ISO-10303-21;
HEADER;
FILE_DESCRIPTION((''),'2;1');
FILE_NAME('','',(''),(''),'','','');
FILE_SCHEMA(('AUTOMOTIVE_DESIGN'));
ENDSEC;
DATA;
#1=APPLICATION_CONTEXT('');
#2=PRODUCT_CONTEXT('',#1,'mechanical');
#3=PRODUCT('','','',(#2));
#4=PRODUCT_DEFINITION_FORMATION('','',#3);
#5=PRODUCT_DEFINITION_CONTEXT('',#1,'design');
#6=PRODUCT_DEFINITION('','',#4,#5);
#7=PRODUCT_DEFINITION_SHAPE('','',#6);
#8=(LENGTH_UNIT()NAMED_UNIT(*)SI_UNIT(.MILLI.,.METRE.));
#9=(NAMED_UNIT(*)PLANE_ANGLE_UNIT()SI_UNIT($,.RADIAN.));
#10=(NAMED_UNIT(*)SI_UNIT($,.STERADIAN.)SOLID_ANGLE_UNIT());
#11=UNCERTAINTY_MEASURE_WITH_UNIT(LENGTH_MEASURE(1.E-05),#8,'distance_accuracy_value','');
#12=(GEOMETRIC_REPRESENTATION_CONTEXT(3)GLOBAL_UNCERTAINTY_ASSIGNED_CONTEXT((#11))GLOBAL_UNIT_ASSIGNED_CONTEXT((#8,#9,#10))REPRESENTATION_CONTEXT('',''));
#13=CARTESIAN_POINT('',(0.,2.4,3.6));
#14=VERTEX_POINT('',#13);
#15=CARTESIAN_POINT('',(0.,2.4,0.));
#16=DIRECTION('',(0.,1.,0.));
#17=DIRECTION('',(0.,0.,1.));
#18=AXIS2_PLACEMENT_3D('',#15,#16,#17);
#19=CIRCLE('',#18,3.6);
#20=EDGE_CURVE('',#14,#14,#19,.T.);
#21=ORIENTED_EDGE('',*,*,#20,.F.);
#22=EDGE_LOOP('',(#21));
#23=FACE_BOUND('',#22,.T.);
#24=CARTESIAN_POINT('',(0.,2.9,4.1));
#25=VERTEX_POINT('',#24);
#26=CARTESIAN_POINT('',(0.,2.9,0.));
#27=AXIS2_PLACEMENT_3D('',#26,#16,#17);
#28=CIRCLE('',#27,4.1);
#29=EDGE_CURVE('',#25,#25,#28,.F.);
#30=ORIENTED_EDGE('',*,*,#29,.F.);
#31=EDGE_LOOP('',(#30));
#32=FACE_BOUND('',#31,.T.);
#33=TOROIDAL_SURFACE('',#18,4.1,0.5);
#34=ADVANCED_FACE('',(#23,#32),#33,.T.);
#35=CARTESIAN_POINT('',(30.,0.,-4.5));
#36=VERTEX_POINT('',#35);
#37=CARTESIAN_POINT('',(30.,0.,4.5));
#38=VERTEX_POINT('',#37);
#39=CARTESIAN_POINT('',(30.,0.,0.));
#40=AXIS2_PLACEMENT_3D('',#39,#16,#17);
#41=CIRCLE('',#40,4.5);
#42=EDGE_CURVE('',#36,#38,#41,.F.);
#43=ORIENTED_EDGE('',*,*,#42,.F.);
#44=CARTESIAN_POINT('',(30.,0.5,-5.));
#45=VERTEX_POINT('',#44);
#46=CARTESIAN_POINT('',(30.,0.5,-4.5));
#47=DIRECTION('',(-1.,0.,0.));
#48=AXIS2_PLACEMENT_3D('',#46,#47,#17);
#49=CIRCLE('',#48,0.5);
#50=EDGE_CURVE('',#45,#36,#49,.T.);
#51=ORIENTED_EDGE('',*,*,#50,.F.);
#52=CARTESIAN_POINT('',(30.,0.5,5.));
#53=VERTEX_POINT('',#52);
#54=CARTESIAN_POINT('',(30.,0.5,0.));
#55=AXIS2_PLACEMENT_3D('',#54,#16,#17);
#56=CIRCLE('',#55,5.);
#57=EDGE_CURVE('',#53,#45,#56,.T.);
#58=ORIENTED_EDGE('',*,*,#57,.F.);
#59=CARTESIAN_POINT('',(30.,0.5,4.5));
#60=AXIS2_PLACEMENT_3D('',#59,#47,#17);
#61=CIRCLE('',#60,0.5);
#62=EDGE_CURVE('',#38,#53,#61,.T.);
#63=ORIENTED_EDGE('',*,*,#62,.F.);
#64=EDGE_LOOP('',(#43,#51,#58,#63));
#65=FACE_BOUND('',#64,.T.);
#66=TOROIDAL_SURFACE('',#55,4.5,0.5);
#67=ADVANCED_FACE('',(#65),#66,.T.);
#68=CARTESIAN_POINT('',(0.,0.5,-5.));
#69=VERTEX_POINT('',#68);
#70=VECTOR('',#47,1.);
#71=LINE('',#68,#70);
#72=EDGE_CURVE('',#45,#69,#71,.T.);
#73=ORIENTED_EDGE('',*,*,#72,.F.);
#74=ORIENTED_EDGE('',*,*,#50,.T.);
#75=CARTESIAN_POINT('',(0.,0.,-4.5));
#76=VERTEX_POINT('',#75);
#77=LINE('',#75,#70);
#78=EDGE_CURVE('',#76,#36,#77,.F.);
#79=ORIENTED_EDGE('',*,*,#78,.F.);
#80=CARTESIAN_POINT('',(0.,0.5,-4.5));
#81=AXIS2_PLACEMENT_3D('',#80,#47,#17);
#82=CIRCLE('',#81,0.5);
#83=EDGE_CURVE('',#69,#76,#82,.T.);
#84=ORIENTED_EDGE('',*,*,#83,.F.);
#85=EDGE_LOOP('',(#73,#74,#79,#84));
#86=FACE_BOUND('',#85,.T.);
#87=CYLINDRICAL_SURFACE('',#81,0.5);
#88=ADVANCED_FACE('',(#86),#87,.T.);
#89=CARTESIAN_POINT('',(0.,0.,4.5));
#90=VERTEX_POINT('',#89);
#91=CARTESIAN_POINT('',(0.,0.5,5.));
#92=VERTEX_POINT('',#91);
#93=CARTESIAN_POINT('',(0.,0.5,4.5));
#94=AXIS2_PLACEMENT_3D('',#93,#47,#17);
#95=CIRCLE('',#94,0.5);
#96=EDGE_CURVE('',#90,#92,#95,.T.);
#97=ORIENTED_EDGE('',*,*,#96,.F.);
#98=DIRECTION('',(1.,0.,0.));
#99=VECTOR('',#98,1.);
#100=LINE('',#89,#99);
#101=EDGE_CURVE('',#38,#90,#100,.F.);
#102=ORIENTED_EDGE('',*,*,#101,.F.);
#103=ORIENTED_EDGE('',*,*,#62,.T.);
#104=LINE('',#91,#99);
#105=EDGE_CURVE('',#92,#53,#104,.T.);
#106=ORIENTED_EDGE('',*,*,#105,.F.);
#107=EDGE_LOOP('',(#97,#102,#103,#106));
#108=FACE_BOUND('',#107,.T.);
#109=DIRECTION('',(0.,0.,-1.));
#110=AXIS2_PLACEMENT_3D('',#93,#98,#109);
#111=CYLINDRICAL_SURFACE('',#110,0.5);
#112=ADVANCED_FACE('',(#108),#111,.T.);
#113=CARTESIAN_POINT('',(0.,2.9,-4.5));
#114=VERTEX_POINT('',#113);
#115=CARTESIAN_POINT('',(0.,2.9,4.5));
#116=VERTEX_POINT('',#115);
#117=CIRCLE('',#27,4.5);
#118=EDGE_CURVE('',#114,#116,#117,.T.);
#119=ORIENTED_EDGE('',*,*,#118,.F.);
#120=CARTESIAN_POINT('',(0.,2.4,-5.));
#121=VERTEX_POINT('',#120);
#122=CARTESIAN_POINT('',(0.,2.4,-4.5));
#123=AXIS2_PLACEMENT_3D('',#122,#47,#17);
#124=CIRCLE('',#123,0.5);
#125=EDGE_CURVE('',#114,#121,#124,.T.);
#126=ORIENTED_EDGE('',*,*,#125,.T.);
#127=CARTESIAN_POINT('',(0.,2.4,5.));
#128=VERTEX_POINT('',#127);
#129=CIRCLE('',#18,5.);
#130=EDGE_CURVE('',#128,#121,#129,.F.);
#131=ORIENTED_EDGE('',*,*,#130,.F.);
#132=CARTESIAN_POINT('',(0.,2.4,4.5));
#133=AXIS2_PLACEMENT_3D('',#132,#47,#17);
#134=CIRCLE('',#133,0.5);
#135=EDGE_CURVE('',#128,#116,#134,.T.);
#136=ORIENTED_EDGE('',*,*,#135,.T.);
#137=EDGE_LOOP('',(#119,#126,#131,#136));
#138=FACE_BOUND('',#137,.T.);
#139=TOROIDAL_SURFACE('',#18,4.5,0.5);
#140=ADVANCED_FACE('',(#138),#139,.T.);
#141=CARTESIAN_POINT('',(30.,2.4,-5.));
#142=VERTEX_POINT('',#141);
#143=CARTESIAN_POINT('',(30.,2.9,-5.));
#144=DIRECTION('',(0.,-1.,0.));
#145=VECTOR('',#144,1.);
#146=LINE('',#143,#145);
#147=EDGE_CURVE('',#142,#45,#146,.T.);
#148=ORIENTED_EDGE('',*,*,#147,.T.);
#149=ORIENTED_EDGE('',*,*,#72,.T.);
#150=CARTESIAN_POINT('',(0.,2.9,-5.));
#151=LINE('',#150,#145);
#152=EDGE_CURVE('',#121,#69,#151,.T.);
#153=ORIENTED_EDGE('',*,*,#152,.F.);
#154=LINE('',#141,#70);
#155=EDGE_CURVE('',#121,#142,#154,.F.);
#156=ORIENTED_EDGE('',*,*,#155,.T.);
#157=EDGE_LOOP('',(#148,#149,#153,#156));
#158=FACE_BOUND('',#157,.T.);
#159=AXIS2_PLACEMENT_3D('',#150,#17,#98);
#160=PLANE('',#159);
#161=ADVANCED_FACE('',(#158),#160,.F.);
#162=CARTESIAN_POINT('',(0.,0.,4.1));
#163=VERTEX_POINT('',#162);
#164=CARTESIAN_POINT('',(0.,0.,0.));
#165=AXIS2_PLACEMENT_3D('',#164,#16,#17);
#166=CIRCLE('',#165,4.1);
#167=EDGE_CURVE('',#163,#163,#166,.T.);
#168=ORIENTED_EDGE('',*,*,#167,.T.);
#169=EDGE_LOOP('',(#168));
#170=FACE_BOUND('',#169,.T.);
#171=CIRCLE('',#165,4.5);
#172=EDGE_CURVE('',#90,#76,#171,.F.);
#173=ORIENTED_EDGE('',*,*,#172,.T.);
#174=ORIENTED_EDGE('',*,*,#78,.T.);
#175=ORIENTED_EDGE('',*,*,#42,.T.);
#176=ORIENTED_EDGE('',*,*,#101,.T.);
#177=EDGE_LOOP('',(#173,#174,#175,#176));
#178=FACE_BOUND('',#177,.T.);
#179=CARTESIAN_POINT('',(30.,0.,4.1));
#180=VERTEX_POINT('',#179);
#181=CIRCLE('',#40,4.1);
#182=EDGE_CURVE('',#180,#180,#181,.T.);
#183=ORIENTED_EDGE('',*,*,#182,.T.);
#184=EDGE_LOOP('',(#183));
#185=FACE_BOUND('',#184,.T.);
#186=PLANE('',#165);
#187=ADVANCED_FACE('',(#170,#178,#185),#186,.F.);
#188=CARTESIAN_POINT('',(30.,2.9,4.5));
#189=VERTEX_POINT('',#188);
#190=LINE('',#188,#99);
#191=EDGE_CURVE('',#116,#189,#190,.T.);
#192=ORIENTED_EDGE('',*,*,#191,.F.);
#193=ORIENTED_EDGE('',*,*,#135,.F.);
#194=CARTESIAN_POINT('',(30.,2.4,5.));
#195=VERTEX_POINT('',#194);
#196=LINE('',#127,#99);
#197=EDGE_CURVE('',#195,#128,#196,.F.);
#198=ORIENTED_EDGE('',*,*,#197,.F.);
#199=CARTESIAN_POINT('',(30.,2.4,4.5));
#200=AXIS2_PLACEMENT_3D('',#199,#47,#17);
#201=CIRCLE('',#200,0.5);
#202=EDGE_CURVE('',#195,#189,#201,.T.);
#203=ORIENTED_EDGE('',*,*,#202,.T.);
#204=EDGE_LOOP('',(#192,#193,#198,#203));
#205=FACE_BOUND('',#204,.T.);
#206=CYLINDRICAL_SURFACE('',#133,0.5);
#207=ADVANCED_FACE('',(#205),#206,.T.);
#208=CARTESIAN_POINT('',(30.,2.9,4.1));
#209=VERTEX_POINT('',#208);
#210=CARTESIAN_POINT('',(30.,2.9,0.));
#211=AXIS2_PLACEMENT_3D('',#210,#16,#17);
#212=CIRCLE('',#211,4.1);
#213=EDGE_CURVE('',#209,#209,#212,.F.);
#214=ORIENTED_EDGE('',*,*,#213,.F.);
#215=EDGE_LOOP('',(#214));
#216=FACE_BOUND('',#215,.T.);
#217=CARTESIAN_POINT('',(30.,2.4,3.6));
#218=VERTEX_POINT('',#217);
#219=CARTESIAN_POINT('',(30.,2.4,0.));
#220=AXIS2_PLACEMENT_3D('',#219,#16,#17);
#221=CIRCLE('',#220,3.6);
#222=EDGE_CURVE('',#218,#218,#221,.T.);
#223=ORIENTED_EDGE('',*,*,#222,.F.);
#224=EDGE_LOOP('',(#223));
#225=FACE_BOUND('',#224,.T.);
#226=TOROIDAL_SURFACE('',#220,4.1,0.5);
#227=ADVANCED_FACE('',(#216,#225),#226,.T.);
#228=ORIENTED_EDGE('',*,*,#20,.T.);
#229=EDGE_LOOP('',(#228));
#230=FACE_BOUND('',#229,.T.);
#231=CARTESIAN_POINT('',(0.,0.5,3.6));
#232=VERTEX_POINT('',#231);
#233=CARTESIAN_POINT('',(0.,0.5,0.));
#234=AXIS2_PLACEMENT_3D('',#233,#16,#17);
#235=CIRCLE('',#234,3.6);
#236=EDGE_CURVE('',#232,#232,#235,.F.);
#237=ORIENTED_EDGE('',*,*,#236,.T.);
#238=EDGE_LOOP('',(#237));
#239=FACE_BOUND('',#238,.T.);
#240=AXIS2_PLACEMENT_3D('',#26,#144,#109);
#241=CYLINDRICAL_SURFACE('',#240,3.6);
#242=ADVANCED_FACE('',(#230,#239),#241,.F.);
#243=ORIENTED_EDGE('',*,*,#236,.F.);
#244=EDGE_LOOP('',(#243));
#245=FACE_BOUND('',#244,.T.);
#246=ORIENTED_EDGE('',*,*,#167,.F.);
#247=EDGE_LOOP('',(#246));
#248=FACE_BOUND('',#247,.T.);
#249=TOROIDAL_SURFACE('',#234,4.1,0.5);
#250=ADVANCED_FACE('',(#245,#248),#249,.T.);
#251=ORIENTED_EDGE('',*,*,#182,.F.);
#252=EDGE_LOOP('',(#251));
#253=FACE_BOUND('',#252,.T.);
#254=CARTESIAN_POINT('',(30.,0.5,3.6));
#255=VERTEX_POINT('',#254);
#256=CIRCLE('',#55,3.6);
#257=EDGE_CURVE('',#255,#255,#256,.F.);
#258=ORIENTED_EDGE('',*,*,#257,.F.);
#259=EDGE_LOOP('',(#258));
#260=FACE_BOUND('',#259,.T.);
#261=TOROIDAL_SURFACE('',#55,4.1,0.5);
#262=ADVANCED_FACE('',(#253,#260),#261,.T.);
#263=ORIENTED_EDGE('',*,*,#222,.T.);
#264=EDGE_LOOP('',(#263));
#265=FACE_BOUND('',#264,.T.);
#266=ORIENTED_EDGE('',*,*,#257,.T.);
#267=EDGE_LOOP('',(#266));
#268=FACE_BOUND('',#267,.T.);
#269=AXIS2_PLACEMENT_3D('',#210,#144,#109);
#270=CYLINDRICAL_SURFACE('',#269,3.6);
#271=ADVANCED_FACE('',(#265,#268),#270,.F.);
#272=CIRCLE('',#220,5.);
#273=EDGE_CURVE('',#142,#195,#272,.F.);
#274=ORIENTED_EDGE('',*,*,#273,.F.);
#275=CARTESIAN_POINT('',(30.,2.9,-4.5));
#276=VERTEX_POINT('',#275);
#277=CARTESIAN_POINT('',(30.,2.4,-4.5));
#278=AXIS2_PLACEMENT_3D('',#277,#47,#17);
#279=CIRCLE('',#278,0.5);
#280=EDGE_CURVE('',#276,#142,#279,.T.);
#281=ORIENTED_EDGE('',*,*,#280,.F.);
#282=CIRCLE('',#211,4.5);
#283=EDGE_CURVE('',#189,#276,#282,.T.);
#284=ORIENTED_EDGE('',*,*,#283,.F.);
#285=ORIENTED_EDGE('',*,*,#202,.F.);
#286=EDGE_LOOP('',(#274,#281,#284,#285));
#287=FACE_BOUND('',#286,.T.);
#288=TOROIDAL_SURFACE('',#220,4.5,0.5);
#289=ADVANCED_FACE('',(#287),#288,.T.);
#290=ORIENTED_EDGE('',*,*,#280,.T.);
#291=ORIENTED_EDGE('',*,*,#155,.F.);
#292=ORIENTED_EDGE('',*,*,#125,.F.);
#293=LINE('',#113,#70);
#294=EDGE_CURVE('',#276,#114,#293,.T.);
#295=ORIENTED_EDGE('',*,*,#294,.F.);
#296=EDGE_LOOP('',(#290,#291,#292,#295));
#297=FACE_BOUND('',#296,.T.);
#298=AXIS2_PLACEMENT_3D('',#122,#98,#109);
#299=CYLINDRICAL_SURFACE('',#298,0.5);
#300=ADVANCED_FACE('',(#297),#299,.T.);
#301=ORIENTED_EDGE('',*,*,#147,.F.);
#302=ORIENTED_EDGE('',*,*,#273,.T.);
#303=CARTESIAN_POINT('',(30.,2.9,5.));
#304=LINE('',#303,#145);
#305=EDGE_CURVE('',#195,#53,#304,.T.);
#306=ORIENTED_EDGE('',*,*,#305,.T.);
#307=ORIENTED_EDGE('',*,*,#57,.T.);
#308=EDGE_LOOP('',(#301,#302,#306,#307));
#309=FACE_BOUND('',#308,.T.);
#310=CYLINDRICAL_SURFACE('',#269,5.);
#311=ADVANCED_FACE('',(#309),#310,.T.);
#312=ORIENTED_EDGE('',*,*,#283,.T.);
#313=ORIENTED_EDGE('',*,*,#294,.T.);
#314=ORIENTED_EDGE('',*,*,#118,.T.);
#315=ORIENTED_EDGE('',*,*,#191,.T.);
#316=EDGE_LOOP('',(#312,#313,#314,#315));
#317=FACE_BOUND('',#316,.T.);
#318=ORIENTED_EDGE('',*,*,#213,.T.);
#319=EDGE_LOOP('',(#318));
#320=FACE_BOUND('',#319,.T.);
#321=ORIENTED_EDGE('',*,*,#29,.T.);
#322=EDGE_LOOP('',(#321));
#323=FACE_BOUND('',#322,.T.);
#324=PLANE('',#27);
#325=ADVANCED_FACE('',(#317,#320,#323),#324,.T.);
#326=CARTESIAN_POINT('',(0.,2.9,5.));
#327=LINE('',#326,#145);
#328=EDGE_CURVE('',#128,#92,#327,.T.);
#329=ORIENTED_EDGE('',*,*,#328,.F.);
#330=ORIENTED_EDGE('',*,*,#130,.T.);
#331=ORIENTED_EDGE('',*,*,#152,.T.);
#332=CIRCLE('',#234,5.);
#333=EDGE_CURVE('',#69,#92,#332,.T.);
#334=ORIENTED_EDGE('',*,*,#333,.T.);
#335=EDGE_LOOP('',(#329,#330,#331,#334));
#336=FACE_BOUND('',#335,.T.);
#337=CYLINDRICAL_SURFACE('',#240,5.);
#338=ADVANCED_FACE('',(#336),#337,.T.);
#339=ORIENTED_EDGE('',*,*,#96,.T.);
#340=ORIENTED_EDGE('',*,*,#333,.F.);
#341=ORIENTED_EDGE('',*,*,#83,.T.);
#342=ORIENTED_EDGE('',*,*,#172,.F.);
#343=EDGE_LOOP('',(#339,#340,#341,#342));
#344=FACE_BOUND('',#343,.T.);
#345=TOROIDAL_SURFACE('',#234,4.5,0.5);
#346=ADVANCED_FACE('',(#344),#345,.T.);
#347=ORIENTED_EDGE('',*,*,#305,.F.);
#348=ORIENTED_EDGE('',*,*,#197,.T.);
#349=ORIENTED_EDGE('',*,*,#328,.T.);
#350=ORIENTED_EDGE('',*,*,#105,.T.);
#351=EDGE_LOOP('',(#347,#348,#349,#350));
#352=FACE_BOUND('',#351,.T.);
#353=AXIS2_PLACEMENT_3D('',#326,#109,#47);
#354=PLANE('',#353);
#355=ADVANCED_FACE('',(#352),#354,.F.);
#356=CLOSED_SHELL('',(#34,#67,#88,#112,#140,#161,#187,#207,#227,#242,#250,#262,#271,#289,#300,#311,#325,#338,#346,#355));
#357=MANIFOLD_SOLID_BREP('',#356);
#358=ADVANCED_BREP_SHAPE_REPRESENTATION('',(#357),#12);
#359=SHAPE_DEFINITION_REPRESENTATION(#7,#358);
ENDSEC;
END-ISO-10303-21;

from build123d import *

# Parameters (mm, degrees)
SKETCH1_R           = 3.6
BOSS_EXTRUDE1_DEPTH = 2.9
FILLET1_R           = 0.5


with BuildPart() as part:
    # Sketch1 → Boss-Extrude1 (new body)
    with BuildSketch(Plane(origin=(0, 0, 0), x_dir=(1, 0, 0), z_dir=(0, 1, 0))):
        with BuildLine():
            Line((0, 5), (30, 5))
            ThreePointArc((30, 5), (35, 0), (30, -5))
            Line((30, -5), (0, -5))
            ThreePointArc((0, -5), (-5, 0), (0, 5))
        make_face()
        Circle(SKETCH1_R, mode=Mode.SUBTRACT)
        with Locations((30, 0)):
            Circle(SKETCH1_R, mode=Mode.SUBTRACT)
    extrude(amount=BOSS_EXTRUDE1_DEPTH)

    # Fillet1
    fillet1_edges = [part.edges().sort_by_distance(p)[0] for p in [
        (35, 2.9, 0),
        (-3.6, 0, 0),
        (-3.6, 2.9, 0),
        (15, 2.9, -5),
        (26.4, 0, 0),
        (26.4, 2.9, 0),
        (-5, 2.9, 0),
        (15, 0, -5),
        (35, 0, 0),
        (15, 0, 5),
        (-5, 0, 0),
        (15, 2.9, 5),
    ]]
    fillet(fillet1_edges, radius=FILLET1_R)


solid = part.part
